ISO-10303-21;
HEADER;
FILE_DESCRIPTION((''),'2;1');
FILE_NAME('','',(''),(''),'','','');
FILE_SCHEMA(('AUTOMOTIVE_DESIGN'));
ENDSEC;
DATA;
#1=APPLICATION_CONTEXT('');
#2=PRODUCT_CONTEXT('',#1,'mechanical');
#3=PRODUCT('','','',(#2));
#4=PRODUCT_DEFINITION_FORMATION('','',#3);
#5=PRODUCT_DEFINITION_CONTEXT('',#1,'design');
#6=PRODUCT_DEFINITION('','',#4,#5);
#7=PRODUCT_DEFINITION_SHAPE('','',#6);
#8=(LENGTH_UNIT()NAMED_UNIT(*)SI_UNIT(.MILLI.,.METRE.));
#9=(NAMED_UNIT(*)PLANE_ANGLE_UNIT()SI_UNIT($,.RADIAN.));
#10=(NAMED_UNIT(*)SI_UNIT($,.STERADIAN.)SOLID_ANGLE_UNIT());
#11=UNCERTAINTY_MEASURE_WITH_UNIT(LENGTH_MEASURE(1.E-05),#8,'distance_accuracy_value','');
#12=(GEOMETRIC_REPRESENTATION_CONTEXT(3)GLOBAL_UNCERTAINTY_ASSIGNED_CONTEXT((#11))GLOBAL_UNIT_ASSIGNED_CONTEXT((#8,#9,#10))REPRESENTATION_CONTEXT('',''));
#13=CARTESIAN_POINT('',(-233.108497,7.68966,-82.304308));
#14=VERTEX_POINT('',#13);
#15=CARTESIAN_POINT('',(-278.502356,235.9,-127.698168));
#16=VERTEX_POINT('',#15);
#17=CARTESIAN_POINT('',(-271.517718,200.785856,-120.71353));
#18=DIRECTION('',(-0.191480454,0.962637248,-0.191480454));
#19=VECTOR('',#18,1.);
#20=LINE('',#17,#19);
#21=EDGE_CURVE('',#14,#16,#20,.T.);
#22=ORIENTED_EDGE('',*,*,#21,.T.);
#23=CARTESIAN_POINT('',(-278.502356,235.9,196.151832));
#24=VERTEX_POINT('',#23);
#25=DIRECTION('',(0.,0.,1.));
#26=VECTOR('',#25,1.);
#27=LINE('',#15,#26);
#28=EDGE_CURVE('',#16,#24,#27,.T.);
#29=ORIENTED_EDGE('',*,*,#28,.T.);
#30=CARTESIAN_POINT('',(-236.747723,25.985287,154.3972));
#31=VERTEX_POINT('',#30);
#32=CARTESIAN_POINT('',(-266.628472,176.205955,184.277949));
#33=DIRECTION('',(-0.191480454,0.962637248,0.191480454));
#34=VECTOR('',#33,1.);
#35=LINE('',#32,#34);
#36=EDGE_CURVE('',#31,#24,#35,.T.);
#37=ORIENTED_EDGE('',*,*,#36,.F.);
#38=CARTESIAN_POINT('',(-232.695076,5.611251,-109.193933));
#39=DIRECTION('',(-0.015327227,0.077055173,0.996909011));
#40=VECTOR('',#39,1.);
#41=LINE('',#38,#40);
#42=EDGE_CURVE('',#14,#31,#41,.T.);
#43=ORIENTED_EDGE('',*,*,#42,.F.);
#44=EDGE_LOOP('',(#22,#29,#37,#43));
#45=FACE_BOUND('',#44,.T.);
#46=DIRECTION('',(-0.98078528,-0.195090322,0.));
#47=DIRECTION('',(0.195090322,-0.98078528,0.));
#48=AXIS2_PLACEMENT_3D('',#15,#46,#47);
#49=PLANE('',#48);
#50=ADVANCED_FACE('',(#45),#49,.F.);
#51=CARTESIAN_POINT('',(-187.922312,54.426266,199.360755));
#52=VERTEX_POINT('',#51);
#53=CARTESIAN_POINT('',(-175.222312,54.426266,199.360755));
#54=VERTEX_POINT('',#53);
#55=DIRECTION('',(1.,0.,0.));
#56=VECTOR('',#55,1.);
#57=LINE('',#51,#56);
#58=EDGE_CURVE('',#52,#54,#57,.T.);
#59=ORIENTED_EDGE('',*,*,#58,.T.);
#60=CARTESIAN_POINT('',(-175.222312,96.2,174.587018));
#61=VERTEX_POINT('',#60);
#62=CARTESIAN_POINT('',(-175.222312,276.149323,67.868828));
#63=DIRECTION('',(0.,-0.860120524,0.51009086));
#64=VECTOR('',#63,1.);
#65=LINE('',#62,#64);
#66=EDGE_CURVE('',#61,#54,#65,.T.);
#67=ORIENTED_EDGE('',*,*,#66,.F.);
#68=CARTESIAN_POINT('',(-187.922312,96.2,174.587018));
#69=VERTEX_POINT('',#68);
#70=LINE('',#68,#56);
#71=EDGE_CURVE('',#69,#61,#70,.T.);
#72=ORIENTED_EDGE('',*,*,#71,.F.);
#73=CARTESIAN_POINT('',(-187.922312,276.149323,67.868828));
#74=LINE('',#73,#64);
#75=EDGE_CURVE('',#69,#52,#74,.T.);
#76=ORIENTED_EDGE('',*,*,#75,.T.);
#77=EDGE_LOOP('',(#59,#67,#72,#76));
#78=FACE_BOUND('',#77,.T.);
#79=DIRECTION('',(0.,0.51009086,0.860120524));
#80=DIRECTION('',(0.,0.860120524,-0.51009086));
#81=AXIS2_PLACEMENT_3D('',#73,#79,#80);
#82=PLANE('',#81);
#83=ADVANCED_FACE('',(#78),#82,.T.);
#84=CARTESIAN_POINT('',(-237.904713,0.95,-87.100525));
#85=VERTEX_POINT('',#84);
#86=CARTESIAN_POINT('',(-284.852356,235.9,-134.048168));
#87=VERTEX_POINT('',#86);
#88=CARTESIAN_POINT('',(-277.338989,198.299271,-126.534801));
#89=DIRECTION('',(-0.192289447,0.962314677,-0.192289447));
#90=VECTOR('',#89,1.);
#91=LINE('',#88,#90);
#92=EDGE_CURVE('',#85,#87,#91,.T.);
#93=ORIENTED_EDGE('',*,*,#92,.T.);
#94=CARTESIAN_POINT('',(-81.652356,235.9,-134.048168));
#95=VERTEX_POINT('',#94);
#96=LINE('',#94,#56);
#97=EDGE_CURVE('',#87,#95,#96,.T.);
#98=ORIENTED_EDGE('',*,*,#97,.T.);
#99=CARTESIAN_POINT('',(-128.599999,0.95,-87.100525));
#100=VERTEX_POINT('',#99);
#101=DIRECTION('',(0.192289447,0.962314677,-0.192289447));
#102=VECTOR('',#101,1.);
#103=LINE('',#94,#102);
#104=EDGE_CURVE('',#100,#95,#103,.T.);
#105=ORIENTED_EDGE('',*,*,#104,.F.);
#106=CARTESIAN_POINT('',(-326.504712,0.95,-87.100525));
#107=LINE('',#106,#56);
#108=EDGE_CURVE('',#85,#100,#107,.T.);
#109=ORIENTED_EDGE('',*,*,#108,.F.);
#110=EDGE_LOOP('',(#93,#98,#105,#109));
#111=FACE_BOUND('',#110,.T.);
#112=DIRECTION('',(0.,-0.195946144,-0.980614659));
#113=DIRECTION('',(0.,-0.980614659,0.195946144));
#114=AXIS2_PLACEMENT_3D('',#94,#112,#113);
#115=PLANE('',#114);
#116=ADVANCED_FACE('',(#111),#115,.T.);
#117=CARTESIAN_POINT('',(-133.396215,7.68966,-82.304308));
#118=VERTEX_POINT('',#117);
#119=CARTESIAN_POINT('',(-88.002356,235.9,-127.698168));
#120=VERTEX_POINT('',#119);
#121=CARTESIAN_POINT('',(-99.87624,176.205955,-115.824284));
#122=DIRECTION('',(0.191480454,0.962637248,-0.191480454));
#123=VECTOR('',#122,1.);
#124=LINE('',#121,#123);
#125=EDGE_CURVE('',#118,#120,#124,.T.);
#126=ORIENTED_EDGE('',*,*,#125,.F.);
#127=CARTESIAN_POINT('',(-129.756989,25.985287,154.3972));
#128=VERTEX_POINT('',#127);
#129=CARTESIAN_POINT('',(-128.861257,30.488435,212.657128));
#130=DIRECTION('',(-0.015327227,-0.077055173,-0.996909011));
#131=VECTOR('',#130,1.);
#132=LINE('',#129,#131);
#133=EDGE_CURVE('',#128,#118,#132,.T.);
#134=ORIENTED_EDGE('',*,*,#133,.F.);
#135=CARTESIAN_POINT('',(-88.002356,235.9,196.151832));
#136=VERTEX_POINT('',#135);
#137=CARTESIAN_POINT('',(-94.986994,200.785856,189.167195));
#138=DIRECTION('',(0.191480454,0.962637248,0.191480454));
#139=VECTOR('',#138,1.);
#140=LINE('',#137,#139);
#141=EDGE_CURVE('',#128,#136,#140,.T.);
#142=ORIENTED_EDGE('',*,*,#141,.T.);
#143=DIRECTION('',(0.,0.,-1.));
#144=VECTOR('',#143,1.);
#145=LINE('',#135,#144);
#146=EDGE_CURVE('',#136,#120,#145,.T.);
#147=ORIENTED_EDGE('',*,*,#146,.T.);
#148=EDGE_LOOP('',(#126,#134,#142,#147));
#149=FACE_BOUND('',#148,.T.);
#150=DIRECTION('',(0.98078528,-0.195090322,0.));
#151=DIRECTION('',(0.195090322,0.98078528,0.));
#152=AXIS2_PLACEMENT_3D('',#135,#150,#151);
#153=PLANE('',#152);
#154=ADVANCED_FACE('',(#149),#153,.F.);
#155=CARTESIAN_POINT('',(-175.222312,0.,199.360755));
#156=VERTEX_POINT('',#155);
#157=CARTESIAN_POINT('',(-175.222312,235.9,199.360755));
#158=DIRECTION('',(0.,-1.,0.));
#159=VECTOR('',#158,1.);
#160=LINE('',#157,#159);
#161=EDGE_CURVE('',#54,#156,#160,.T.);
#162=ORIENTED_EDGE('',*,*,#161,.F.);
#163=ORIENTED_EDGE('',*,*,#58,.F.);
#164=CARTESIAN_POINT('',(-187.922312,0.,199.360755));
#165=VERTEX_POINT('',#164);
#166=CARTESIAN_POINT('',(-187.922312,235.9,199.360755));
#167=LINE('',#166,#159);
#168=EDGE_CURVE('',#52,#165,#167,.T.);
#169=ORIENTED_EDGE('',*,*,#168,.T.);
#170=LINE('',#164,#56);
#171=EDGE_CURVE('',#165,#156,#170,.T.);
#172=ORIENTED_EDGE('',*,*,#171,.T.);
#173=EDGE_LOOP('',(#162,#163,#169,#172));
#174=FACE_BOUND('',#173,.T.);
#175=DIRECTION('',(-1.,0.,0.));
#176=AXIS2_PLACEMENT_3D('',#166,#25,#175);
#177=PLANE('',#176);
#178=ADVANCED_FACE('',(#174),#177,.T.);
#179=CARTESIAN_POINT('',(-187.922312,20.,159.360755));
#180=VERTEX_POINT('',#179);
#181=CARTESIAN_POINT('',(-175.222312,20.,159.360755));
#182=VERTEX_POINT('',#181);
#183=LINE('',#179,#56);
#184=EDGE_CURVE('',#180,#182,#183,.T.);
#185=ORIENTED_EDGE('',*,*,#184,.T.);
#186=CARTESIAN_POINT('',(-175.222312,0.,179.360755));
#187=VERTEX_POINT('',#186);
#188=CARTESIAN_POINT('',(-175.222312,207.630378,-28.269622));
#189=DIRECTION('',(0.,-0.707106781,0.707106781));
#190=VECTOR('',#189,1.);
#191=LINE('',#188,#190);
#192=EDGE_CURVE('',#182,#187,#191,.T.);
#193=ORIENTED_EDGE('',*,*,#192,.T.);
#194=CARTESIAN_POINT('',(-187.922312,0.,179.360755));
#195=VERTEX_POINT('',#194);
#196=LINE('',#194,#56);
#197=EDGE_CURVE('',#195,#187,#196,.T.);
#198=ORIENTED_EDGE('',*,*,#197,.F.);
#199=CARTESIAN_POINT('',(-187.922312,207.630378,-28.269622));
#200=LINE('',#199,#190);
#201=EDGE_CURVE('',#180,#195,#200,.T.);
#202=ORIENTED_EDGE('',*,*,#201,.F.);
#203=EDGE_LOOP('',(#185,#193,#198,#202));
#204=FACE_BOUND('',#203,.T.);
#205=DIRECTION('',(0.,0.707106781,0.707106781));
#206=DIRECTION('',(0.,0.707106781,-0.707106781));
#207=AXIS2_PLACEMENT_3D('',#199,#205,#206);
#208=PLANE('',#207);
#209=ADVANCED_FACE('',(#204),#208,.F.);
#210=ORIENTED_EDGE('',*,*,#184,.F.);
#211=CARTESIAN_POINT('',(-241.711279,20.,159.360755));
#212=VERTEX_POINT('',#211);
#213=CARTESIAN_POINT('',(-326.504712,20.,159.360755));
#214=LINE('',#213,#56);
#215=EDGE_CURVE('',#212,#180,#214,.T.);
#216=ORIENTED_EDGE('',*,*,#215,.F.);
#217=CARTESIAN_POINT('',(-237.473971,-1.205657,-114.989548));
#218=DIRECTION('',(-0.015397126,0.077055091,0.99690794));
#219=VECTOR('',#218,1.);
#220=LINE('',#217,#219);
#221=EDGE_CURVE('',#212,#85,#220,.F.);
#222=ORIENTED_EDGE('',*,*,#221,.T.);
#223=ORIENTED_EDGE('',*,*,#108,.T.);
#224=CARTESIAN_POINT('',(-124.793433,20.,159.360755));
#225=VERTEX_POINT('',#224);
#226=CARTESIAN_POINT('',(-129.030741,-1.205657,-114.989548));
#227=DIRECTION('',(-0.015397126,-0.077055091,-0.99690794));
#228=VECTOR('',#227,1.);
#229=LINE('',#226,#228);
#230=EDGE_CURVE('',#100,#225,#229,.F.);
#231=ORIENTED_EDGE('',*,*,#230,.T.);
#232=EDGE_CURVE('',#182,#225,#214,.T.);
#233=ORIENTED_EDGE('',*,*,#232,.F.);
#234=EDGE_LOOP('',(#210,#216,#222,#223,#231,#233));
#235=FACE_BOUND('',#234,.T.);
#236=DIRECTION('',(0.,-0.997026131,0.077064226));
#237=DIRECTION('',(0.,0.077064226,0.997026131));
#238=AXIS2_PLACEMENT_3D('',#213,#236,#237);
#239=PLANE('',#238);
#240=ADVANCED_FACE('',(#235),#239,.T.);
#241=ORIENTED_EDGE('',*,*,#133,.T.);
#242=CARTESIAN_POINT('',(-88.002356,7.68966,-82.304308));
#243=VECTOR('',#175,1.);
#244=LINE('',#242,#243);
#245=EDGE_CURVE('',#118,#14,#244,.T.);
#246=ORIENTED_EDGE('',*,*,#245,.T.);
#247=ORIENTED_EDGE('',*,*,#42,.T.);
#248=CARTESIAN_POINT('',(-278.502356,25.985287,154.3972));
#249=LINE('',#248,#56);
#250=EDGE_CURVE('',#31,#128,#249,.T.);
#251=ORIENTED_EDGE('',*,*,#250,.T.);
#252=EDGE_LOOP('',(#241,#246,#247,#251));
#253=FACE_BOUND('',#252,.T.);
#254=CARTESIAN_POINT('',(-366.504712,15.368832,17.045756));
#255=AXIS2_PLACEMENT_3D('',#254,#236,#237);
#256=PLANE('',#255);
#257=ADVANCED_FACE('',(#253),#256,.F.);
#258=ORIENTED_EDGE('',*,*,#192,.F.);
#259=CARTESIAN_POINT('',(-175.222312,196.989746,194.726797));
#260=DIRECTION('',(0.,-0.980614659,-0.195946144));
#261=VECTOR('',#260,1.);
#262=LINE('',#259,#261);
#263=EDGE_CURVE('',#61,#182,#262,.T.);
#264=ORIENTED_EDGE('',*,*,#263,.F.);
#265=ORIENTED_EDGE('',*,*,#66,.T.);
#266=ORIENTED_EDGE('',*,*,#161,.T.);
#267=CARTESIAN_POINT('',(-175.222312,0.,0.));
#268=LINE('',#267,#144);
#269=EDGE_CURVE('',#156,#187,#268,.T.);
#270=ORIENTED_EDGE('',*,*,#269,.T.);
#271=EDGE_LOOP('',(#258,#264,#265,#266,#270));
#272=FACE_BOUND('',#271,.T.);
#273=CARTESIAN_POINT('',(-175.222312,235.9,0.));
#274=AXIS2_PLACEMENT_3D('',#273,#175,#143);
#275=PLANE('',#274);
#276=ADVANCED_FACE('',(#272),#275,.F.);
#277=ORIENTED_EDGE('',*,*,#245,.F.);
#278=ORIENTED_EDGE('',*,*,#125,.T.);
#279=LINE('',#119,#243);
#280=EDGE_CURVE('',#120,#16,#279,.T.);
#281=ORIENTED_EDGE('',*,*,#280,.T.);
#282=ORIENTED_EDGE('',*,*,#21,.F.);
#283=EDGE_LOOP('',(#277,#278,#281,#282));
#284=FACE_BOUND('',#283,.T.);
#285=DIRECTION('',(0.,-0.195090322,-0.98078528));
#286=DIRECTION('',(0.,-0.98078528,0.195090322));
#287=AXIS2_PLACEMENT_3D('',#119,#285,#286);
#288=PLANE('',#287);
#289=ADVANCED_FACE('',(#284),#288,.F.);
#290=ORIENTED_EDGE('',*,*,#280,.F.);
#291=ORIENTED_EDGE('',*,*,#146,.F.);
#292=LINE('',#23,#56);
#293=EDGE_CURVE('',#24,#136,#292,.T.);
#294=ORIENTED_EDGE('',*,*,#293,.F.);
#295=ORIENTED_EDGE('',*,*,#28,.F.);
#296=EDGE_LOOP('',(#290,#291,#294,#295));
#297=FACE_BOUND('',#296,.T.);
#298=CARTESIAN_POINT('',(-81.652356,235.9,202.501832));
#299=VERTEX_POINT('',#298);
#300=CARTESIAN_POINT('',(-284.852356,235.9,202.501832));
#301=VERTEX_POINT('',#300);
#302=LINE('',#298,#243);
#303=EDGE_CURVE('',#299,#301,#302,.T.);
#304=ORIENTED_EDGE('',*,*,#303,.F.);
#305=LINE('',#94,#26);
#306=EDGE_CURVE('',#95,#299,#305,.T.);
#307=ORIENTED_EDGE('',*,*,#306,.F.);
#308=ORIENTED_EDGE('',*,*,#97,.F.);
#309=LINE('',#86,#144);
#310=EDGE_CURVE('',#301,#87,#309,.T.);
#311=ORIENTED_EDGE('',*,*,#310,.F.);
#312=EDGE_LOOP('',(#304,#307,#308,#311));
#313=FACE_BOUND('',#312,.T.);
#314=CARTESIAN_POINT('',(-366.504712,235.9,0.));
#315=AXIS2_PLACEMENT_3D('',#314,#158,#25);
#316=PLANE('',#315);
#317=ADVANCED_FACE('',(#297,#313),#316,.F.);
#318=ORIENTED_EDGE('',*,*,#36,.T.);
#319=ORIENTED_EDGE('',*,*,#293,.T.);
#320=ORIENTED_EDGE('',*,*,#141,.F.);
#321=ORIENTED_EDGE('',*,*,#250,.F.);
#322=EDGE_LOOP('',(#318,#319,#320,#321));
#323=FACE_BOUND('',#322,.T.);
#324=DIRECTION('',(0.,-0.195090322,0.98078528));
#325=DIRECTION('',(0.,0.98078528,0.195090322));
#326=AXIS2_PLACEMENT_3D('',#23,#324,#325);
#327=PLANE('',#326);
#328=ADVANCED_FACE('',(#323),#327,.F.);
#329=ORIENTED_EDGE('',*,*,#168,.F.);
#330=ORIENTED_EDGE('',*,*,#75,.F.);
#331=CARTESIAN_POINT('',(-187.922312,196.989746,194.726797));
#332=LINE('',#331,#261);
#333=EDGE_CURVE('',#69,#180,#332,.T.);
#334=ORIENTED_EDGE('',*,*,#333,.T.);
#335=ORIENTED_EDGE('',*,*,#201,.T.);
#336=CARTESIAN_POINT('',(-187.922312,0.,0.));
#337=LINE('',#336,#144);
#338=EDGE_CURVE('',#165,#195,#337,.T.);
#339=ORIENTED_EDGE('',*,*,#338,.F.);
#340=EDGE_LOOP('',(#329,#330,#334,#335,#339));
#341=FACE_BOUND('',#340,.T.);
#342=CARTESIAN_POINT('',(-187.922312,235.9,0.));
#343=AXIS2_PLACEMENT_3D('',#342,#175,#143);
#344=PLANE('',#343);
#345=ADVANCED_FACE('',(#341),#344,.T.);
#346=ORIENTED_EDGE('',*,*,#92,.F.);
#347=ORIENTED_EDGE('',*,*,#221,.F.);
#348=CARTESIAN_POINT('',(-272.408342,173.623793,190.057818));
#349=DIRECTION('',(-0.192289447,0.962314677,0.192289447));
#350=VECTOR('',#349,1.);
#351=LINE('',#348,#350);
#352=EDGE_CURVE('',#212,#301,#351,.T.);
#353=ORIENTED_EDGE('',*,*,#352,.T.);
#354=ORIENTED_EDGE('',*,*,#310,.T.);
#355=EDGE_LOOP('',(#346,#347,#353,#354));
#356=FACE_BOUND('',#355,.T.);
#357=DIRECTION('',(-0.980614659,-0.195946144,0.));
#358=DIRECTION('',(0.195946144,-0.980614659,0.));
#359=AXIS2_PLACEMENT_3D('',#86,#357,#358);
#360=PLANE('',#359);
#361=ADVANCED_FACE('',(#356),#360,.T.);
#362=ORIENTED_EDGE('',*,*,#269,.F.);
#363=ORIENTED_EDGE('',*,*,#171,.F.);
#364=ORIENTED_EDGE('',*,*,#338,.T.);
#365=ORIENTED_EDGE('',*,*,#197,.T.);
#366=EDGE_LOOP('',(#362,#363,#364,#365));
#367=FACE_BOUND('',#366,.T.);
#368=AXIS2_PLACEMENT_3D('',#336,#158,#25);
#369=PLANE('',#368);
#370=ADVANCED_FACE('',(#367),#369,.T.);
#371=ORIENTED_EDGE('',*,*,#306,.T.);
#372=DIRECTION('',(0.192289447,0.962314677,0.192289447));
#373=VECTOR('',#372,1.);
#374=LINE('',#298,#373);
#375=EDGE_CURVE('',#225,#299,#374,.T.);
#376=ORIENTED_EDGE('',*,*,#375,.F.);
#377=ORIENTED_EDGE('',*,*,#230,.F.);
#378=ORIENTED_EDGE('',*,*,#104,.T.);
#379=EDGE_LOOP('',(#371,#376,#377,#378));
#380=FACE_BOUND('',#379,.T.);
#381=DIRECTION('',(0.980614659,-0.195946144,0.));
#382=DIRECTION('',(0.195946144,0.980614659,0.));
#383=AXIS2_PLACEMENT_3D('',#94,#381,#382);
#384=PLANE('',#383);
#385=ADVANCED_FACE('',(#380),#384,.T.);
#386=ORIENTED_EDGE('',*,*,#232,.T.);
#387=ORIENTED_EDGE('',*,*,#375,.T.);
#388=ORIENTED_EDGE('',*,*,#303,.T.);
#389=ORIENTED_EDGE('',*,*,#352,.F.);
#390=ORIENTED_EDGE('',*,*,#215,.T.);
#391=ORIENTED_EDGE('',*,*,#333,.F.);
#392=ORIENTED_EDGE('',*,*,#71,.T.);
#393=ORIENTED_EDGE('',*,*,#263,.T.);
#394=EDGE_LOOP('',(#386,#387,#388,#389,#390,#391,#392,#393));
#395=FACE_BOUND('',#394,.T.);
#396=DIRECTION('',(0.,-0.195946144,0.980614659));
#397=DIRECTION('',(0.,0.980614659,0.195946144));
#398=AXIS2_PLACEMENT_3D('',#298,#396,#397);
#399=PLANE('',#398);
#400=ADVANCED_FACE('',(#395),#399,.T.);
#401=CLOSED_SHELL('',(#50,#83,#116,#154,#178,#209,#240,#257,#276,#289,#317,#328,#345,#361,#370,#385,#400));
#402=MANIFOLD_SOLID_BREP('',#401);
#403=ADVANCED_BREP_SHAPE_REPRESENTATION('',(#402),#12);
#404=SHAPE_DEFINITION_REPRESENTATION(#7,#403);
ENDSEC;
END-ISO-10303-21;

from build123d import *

# Parameters (mm, degrees)
SKETCH1_W             = 203.2
SKETCH1_H             = 336.55
BOSS_EXTRUDE4_DEPTH   = 254
BOSS_EXTRUDE4_TAPER   = 11.3
SKETCH3_W             = 190.5
SKETCH3_H             = 323.85
CUT_EXTRUDE1_DEPTH    = 247.65
CUT_EXTRUDE1_TAPER    = 11.25
CUT_EXTRUDE13_DEPTH   = 254
BOSS_EXTRUDE6_START   = 102.7176
BOSS_EXTRUDE6_DEPTH   = 12.7
BOSS_EXTRUDE7_DEPTH   = 6.35
BODY_MOVE_COPY1_ANGLE = 180
BODY_MOVE_COPY2_ANGLE = 180


with BuildPart() as part:
    # Sketch1 → Boss-Extrude4 (new body)
    with BuildSketch(Plane(origin=(0, 0, 0), x_dir=(1, 0, 0), z_dir=(0, 1, 0))):
        with Locations((-183.252356021, -34.226832461)):
            Rectangle(SKETCH1_W, SKETCH1_H)
    extrude(amount=BOSS_EXTRUDE4_DEPTH, taper=BOSS_EXTRUDE4_TAPER)

    # Sketch3 → Cut-Extrude1 (cut)
    with BuildSketch(Plane.XZ):
        with Locations((-183.252356021, 34.226832461)):
            Rectangle(SKETCH3_W, SKETCH3_H)
    extrude(amount=-CUT_EXTRUDE1_DEPTH, taper=CUT_EXTRUDE1_TAPER, mode=Mode.SUBTRACT)

    # Sketch15 → Cut-Extrude13 (cut)
    with BuildSketch(Plane(origin=(-294, 0, 0), x_dir=(0, 0, -1), z_dir=(1, 0, 0))):
        Polygon((83.293959244, 254), (-151.747624165, 254), (-159.360755409, 215.9), (87.100524866, 234.95), align=None)
    extrude(amount=CUT_EXTRUDE13_DEPTH, mode=Mode.SUBTRACT)

    # Sketch21 → Boss-Extrude6 (add)
    with BuildSketch(Plane(origin=(-294, 0, 0), x_dir=(0, 0, -1), z_dir=(1, 0, 0)).offset(BOSS_EXTRUDE6_START)):
        Polygon((-174.587017898, 139.7), (-199.360755409, 181.473734378), (-199.360755409, 235.9), (-179.360755409, 235.9), (-179.360755409, 215.9), (-159.360755409, 215.9), align=None)
        Polygon((-179.360755409, 235.9), (-179.360755409, 215.9), (-159.360755409, 215.9), align=None)
    extrude(amount=BOSS_EXTRUDE6_DEPTH)

    # Sketch22 → Boss-Extrude7 (add)
    with BuildSketch(Plane(origin=(0, 226.862283718, 17.535113426), x_dir=(1, 0, 0), z_dir=(0, 0.997026131, 0.077064226))):
        Polygon((-237.904713348, 104.947739163), (-241.71127897, -142.248670954), (-124.793433072, -142.248670954), (-128.599998694, 104.947739163), align=None)
    extrude(amount=-BOSS_EXTRUDE7_DEPTH)


with BuildPart() as part_1:
    # Body-Move/Copy1: moved
    add(part.part.rotate(Axis((0, 117.95, 34.226832461), (1, 0, 0)), BODY_MOVE_COPY1_ANGLE))


with BuildPart() as part_2:
    # Body-Move/Copy2: moved
    add(part_1.part.rotate(Axis((-183.252356021, 0, 34.226832461), (0, 1, 0)), BODY_MOVE_COPY2_ANGLE))


solid = part_2.part
